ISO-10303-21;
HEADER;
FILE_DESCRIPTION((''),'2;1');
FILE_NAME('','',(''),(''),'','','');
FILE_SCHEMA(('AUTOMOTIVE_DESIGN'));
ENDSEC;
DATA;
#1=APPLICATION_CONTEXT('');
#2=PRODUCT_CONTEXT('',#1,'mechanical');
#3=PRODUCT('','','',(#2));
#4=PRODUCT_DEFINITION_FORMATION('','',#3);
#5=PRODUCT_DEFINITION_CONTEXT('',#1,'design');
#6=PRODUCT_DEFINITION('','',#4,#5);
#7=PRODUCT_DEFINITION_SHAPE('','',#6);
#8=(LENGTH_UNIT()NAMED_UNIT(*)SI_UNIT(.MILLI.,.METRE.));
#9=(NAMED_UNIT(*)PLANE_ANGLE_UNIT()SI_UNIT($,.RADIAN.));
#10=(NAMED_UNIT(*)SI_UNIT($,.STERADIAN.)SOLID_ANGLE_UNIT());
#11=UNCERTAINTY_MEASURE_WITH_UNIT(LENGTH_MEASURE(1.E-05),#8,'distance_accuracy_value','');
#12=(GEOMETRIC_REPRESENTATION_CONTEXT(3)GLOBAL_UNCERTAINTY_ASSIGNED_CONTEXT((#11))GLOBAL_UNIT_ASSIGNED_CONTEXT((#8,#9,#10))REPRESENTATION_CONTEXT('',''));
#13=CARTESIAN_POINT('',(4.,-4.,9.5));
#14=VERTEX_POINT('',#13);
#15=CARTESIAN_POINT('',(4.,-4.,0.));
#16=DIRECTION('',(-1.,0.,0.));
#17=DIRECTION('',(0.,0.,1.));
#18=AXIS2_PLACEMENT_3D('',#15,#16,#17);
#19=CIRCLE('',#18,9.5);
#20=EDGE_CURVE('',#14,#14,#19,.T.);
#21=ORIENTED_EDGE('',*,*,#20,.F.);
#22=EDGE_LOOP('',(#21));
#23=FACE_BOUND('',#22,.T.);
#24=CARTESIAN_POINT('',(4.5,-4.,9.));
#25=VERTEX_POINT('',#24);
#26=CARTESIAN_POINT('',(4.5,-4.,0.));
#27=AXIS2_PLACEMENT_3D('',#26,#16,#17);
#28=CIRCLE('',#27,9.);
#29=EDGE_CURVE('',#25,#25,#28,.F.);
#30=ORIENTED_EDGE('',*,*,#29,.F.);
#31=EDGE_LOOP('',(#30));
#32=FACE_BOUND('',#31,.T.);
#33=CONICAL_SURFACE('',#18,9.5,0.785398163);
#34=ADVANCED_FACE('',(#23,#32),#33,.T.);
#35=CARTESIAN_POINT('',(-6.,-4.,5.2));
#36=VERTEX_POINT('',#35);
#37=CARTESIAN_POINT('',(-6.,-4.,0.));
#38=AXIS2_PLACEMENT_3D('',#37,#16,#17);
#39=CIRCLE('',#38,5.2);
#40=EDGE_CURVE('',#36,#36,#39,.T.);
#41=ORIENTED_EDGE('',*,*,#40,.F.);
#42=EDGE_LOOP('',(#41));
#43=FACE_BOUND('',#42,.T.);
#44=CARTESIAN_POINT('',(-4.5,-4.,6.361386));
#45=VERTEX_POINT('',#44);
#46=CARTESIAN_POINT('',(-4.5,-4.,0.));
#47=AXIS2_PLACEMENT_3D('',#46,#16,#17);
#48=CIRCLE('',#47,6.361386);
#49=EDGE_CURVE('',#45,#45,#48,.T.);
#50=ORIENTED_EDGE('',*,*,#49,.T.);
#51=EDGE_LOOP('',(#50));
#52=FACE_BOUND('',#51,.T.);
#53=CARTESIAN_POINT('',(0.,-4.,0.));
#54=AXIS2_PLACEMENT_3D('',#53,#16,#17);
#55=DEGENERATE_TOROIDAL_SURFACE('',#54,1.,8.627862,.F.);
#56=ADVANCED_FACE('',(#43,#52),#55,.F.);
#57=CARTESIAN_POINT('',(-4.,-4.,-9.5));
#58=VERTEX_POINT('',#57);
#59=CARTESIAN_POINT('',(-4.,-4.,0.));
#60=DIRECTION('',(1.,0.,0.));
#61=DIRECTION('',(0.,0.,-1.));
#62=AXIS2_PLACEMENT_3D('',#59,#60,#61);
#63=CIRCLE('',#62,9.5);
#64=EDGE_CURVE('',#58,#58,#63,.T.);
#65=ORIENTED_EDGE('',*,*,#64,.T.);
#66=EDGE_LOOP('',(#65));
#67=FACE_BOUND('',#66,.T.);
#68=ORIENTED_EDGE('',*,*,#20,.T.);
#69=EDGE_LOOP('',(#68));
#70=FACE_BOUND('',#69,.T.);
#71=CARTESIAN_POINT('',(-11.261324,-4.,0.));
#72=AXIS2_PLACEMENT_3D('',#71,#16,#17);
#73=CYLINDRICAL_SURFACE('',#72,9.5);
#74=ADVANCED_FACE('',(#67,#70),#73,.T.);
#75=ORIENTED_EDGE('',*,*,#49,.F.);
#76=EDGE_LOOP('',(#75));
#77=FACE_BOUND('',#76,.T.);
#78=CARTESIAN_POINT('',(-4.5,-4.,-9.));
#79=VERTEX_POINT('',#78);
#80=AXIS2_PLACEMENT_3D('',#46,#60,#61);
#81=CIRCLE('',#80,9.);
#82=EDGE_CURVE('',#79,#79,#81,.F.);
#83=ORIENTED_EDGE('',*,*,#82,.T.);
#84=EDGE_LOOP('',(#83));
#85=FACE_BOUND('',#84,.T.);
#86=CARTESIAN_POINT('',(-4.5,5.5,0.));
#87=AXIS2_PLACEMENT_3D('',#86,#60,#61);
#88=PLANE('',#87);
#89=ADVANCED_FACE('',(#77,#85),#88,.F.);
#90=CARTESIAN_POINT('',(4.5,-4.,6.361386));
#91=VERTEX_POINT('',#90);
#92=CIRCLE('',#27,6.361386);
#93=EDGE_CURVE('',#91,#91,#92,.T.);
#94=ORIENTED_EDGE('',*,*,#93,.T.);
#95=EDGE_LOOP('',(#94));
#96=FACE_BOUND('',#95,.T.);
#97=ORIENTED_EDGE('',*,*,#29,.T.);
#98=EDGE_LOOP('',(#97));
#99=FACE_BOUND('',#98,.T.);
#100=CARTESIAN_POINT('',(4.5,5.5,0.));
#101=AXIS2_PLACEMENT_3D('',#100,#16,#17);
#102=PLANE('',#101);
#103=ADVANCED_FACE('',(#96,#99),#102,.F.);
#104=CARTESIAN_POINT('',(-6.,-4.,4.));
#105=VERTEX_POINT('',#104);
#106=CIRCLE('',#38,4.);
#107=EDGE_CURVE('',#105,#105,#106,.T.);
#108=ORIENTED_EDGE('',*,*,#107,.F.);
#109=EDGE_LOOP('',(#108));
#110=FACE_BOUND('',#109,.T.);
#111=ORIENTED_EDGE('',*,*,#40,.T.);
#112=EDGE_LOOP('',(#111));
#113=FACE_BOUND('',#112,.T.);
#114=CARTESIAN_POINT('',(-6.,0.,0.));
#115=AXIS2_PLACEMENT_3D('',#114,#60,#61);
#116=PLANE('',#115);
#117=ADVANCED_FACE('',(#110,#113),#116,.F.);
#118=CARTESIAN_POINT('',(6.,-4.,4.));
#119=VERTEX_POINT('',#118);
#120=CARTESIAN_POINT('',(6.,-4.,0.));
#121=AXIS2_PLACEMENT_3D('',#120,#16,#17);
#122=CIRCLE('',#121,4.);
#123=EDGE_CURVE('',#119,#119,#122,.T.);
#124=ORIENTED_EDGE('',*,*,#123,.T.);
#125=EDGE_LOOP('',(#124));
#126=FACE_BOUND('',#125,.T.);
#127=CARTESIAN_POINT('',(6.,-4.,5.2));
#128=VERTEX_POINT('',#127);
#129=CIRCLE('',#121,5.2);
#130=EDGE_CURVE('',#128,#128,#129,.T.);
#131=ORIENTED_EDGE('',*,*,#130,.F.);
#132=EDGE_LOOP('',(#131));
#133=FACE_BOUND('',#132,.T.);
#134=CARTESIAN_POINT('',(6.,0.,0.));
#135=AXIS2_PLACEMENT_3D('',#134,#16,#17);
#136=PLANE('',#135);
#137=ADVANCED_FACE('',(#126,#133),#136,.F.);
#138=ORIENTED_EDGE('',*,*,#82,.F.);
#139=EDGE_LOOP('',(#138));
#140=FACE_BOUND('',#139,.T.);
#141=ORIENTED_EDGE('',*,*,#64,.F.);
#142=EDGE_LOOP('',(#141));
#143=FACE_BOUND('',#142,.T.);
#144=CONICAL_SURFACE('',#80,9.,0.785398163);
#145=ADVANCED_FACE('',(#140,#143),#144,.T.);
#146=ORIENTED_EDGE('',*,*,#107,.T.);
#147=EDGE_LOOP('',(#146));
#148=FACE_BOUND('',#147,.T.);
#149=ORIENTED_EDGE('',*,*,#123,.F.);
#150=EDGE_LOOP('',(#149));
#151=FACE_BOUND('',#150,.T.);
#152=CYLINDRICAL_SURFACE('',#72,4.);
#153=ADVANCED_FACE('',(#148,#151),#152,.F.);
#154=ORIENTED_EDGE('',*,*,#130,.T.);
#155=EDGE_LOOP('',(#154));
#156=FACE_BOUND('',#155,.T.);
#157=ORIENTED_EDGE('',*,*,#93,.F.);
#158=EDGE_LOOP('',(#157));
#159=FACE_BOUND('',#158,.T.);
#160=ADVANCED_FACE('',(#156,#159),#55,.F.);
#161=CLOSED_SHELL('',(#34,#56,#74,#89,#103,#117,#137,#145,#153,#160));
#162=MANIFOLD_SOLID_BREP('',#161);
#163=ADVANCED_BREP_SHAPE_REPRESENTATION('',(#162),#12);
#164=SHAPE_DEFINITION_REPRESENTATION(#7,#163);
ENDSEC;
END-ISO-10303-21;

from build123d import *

# Parameters (mm, degrees)
SFAZOWANIE1_SIZE = 0.5


with BuildPart() as part:
    # Szkic1 → Obrót1 (revolve)
    with BuildSketch(Plane.XY):
        with BuildLine():
            Line((-6, 0), (6, 0))
            Line((6, 0), (6, 1.2))
            ThreePointArc((6, 1.2), (5.282017059, 1.822044839), (4.5, 2.361385739))
            Line((4.5, 2.361385739), (4.5, 5.5))
            Line((4.5, 5.5), (-4.5, 5.5))
            Line((-4.5, 5.5), (-4.5, 2.361385739))
            ThreePointArc((-4.5, 2.361385739), (-5.282017059, 1.822044839), (-6, 1.2))
            Line((-6, 1.2), (-6, 0))
        make_face()
    revolve(axis=Axis((-11.261323988, -4, 0), (1, 0, 0)))

    # Sfazowanie1
    sfazowanie1_edges = [part.edges().sort_by_distance(p)[0] for p in [
        (-4.5, -13.5, 0),
        (4.5, -13.5, 0),
    ]]
    chamfer(sfazowanie1_edges, length=SFAZOWANIE1_SIZE)


solid = part.part
